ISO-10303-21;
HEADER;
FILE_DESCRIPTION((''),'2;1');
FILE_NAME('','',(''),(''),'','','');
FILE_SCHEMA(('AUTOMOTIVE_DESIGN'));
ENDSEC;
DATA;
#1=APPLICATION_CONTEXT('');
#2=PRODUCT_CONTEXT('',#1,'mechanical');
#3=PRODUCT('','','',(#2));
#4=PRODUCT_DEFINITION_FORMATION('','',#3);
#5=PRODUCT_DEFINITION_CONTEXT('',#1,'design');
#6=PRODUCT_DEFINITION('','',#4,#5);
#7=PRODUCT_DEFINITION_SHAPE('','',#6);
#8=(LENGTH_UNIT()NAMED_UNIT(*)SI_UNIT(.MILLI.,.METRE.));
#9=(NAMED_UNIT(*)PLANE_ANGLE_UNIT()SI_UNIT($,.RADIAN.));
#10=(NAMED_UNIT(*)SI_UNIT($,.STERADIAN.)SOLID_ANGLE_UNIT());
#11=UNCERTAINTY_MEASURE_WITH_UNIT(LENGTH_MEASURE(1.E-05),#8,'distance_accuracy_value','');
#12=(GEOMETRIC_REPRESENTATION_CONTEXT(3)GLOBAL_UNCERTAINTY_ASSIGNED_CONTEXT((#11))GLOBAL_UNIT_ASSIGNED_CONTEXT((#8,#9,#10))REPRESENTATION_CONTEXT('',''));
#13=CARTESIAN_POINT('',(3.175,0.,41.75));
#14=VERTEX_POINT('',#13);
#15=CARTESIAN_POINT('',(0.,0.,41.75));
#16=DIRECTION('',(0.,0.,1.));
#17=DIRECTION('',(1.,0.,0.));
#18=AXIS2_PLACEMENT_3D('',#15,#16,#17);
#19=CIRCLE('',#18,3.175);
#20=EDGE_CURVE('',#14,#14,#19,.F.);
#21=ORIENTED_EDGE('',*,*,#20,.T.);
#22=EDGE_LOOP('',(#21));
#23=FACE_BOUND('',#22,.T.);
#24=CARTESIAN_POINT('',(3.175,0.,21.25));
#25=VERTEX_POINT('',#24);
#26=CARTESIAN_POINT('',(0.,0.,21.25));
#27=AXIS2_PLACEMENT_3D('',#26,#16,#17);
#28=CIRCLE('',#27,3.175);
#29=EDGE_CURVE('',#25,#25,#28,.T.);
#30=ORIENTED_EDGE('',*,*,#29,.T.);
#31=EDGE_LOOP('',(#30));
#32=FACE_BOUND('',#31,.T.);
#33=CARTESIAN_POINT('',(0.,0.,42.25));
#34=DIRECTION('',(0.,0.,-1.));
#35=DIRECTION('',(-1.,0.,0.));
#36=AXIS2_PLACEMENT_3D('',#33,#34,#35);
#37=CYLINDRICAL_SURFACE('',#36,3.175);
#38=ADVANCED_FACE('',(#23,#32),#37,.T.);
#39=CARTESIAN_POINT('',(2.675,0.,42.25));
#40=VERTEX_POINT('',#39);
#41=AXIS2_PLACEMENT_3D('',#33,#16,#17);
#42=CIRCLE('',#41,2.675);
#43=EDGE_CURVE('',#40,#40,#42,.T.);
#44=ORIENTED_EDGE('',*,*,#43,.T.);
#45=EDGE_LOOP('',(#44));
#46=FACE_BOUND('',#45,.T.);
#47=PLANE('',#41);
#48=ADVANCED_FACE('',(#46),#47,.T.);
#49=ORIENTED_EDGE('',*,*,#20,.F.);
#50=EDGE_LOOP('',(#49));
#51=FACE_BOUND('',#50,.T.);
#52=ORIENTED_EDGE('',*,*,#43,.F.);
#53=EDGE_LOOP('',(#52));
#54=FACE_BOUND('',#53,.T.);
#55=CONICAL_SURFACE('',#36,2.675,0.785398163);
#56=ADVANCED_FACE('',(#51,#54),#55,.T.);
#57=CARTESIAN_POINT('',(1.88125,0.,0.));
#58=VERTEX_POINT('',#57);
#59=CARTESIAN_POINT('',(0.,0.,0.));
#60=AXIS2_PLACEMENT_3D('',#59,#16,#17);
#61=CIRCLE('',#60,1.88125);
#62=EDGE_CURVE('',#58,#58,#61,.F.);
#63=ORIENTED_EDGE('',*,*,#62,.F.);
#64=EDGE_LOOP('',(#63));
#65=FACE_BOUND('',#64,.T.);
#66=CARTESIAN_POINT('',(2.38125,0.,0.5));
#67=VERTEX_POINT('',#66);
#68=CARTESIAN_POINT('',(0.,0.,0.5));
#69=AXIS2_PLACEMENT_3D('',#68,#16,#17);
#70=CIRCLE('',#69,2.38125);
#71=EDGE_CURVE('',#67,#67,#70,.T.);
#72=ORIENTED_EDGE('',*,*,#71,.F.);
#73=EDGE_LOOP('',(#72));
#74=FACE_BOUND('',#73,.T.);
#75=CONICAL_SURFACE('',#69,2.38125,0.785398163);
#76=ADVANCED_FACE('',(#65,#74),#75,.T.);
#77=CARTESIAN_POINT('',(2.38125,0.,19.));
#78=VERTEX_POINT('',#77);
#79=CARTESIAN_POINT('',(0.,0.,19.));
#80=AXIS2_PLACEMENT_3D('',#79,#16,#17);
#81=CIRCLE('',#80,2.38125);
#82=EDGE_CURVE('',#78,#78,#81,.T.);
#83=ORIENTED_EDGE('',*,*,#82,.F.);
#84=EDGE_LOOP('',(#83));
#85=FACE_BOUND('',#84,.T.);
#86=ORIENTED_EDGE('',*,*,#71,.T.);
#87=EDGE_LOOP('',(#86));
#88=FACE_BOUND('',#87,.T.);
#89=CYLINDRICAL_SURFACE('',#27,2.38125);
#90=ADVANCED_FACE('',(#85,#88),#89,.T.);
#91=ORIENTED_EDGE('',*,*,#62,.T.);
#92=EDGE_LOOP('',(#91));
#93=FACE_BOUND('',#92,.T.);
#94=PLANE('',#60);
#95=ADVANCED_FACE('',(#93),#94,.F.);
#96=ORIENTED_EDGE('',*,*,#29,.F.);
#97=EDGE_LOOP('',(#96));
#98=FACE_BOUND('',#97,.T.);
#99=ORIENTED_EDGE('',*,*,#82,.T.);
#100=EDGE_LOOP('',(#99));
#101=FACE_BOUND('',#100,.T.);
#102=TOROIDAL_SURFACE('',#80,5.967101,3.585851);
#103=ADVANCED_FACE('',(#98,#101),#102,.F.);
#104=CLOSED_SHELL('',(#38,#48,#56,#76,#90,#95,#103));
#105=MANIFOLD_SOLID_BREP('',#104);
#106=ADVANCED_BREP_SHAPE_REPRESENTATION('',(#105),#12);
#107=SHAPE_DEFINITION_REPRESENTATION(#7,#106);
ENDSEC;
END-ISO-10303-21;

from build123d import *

# Parameters (mm, degrees)
SKETCH2_R           = 3.175
BOSS_EXTRUDE1_DEPTH = 42.25
CHAMFER1_SIZE       = 0.5


with BuildPart() as part:
    # Sketch2 → Boss-Extrude1 (new body)
    with BuildSketch(Plane.XY):
        Circle(SKETCH2_R)
    extrude(amount=BOSS_EXTRUDE1_DEPTH)

    # Sketch5 → Cut-Revolve1 (revolve, cut)
    with BuildSketch(Plane(origin=(0, 0, 0), x_dir=(0, 0, -1), z_dir=(1, 0, 0)), mode=Mode.PRIVATE) as cut_revolve1_sk:
        with BuildLine():
            Line((-21.25, 3.175), (0, 3.175))
            Line((0, 3.175), (0, 2.38125))
            Line((0, 2.38125), (-19, 2.38125))
            ThreePointArc((-19, 2.38125), (-20.192952122, 2.585504811), (-21.25, 3.175))
        make_face()
    revolve(cut_revolve1_sk.sketch.rotate(Axis((0, 0, 21.25), (0, 0, -1)), 90), axis=Axis((0, 0, 21.25), (0, 0, -1)), mode=Mode.SUBTRACT)

    # Chamfer1
    chamfer1_edges = [part.edges().sort_by_distance(p)[0] for p in [
        (-3.175, 0, 42.25),
        (-2.38125, 0, 0),
    ]]
    chamfer(chamfer1_edges, length=CHAMFER1_SIZE)


solid = part.part
